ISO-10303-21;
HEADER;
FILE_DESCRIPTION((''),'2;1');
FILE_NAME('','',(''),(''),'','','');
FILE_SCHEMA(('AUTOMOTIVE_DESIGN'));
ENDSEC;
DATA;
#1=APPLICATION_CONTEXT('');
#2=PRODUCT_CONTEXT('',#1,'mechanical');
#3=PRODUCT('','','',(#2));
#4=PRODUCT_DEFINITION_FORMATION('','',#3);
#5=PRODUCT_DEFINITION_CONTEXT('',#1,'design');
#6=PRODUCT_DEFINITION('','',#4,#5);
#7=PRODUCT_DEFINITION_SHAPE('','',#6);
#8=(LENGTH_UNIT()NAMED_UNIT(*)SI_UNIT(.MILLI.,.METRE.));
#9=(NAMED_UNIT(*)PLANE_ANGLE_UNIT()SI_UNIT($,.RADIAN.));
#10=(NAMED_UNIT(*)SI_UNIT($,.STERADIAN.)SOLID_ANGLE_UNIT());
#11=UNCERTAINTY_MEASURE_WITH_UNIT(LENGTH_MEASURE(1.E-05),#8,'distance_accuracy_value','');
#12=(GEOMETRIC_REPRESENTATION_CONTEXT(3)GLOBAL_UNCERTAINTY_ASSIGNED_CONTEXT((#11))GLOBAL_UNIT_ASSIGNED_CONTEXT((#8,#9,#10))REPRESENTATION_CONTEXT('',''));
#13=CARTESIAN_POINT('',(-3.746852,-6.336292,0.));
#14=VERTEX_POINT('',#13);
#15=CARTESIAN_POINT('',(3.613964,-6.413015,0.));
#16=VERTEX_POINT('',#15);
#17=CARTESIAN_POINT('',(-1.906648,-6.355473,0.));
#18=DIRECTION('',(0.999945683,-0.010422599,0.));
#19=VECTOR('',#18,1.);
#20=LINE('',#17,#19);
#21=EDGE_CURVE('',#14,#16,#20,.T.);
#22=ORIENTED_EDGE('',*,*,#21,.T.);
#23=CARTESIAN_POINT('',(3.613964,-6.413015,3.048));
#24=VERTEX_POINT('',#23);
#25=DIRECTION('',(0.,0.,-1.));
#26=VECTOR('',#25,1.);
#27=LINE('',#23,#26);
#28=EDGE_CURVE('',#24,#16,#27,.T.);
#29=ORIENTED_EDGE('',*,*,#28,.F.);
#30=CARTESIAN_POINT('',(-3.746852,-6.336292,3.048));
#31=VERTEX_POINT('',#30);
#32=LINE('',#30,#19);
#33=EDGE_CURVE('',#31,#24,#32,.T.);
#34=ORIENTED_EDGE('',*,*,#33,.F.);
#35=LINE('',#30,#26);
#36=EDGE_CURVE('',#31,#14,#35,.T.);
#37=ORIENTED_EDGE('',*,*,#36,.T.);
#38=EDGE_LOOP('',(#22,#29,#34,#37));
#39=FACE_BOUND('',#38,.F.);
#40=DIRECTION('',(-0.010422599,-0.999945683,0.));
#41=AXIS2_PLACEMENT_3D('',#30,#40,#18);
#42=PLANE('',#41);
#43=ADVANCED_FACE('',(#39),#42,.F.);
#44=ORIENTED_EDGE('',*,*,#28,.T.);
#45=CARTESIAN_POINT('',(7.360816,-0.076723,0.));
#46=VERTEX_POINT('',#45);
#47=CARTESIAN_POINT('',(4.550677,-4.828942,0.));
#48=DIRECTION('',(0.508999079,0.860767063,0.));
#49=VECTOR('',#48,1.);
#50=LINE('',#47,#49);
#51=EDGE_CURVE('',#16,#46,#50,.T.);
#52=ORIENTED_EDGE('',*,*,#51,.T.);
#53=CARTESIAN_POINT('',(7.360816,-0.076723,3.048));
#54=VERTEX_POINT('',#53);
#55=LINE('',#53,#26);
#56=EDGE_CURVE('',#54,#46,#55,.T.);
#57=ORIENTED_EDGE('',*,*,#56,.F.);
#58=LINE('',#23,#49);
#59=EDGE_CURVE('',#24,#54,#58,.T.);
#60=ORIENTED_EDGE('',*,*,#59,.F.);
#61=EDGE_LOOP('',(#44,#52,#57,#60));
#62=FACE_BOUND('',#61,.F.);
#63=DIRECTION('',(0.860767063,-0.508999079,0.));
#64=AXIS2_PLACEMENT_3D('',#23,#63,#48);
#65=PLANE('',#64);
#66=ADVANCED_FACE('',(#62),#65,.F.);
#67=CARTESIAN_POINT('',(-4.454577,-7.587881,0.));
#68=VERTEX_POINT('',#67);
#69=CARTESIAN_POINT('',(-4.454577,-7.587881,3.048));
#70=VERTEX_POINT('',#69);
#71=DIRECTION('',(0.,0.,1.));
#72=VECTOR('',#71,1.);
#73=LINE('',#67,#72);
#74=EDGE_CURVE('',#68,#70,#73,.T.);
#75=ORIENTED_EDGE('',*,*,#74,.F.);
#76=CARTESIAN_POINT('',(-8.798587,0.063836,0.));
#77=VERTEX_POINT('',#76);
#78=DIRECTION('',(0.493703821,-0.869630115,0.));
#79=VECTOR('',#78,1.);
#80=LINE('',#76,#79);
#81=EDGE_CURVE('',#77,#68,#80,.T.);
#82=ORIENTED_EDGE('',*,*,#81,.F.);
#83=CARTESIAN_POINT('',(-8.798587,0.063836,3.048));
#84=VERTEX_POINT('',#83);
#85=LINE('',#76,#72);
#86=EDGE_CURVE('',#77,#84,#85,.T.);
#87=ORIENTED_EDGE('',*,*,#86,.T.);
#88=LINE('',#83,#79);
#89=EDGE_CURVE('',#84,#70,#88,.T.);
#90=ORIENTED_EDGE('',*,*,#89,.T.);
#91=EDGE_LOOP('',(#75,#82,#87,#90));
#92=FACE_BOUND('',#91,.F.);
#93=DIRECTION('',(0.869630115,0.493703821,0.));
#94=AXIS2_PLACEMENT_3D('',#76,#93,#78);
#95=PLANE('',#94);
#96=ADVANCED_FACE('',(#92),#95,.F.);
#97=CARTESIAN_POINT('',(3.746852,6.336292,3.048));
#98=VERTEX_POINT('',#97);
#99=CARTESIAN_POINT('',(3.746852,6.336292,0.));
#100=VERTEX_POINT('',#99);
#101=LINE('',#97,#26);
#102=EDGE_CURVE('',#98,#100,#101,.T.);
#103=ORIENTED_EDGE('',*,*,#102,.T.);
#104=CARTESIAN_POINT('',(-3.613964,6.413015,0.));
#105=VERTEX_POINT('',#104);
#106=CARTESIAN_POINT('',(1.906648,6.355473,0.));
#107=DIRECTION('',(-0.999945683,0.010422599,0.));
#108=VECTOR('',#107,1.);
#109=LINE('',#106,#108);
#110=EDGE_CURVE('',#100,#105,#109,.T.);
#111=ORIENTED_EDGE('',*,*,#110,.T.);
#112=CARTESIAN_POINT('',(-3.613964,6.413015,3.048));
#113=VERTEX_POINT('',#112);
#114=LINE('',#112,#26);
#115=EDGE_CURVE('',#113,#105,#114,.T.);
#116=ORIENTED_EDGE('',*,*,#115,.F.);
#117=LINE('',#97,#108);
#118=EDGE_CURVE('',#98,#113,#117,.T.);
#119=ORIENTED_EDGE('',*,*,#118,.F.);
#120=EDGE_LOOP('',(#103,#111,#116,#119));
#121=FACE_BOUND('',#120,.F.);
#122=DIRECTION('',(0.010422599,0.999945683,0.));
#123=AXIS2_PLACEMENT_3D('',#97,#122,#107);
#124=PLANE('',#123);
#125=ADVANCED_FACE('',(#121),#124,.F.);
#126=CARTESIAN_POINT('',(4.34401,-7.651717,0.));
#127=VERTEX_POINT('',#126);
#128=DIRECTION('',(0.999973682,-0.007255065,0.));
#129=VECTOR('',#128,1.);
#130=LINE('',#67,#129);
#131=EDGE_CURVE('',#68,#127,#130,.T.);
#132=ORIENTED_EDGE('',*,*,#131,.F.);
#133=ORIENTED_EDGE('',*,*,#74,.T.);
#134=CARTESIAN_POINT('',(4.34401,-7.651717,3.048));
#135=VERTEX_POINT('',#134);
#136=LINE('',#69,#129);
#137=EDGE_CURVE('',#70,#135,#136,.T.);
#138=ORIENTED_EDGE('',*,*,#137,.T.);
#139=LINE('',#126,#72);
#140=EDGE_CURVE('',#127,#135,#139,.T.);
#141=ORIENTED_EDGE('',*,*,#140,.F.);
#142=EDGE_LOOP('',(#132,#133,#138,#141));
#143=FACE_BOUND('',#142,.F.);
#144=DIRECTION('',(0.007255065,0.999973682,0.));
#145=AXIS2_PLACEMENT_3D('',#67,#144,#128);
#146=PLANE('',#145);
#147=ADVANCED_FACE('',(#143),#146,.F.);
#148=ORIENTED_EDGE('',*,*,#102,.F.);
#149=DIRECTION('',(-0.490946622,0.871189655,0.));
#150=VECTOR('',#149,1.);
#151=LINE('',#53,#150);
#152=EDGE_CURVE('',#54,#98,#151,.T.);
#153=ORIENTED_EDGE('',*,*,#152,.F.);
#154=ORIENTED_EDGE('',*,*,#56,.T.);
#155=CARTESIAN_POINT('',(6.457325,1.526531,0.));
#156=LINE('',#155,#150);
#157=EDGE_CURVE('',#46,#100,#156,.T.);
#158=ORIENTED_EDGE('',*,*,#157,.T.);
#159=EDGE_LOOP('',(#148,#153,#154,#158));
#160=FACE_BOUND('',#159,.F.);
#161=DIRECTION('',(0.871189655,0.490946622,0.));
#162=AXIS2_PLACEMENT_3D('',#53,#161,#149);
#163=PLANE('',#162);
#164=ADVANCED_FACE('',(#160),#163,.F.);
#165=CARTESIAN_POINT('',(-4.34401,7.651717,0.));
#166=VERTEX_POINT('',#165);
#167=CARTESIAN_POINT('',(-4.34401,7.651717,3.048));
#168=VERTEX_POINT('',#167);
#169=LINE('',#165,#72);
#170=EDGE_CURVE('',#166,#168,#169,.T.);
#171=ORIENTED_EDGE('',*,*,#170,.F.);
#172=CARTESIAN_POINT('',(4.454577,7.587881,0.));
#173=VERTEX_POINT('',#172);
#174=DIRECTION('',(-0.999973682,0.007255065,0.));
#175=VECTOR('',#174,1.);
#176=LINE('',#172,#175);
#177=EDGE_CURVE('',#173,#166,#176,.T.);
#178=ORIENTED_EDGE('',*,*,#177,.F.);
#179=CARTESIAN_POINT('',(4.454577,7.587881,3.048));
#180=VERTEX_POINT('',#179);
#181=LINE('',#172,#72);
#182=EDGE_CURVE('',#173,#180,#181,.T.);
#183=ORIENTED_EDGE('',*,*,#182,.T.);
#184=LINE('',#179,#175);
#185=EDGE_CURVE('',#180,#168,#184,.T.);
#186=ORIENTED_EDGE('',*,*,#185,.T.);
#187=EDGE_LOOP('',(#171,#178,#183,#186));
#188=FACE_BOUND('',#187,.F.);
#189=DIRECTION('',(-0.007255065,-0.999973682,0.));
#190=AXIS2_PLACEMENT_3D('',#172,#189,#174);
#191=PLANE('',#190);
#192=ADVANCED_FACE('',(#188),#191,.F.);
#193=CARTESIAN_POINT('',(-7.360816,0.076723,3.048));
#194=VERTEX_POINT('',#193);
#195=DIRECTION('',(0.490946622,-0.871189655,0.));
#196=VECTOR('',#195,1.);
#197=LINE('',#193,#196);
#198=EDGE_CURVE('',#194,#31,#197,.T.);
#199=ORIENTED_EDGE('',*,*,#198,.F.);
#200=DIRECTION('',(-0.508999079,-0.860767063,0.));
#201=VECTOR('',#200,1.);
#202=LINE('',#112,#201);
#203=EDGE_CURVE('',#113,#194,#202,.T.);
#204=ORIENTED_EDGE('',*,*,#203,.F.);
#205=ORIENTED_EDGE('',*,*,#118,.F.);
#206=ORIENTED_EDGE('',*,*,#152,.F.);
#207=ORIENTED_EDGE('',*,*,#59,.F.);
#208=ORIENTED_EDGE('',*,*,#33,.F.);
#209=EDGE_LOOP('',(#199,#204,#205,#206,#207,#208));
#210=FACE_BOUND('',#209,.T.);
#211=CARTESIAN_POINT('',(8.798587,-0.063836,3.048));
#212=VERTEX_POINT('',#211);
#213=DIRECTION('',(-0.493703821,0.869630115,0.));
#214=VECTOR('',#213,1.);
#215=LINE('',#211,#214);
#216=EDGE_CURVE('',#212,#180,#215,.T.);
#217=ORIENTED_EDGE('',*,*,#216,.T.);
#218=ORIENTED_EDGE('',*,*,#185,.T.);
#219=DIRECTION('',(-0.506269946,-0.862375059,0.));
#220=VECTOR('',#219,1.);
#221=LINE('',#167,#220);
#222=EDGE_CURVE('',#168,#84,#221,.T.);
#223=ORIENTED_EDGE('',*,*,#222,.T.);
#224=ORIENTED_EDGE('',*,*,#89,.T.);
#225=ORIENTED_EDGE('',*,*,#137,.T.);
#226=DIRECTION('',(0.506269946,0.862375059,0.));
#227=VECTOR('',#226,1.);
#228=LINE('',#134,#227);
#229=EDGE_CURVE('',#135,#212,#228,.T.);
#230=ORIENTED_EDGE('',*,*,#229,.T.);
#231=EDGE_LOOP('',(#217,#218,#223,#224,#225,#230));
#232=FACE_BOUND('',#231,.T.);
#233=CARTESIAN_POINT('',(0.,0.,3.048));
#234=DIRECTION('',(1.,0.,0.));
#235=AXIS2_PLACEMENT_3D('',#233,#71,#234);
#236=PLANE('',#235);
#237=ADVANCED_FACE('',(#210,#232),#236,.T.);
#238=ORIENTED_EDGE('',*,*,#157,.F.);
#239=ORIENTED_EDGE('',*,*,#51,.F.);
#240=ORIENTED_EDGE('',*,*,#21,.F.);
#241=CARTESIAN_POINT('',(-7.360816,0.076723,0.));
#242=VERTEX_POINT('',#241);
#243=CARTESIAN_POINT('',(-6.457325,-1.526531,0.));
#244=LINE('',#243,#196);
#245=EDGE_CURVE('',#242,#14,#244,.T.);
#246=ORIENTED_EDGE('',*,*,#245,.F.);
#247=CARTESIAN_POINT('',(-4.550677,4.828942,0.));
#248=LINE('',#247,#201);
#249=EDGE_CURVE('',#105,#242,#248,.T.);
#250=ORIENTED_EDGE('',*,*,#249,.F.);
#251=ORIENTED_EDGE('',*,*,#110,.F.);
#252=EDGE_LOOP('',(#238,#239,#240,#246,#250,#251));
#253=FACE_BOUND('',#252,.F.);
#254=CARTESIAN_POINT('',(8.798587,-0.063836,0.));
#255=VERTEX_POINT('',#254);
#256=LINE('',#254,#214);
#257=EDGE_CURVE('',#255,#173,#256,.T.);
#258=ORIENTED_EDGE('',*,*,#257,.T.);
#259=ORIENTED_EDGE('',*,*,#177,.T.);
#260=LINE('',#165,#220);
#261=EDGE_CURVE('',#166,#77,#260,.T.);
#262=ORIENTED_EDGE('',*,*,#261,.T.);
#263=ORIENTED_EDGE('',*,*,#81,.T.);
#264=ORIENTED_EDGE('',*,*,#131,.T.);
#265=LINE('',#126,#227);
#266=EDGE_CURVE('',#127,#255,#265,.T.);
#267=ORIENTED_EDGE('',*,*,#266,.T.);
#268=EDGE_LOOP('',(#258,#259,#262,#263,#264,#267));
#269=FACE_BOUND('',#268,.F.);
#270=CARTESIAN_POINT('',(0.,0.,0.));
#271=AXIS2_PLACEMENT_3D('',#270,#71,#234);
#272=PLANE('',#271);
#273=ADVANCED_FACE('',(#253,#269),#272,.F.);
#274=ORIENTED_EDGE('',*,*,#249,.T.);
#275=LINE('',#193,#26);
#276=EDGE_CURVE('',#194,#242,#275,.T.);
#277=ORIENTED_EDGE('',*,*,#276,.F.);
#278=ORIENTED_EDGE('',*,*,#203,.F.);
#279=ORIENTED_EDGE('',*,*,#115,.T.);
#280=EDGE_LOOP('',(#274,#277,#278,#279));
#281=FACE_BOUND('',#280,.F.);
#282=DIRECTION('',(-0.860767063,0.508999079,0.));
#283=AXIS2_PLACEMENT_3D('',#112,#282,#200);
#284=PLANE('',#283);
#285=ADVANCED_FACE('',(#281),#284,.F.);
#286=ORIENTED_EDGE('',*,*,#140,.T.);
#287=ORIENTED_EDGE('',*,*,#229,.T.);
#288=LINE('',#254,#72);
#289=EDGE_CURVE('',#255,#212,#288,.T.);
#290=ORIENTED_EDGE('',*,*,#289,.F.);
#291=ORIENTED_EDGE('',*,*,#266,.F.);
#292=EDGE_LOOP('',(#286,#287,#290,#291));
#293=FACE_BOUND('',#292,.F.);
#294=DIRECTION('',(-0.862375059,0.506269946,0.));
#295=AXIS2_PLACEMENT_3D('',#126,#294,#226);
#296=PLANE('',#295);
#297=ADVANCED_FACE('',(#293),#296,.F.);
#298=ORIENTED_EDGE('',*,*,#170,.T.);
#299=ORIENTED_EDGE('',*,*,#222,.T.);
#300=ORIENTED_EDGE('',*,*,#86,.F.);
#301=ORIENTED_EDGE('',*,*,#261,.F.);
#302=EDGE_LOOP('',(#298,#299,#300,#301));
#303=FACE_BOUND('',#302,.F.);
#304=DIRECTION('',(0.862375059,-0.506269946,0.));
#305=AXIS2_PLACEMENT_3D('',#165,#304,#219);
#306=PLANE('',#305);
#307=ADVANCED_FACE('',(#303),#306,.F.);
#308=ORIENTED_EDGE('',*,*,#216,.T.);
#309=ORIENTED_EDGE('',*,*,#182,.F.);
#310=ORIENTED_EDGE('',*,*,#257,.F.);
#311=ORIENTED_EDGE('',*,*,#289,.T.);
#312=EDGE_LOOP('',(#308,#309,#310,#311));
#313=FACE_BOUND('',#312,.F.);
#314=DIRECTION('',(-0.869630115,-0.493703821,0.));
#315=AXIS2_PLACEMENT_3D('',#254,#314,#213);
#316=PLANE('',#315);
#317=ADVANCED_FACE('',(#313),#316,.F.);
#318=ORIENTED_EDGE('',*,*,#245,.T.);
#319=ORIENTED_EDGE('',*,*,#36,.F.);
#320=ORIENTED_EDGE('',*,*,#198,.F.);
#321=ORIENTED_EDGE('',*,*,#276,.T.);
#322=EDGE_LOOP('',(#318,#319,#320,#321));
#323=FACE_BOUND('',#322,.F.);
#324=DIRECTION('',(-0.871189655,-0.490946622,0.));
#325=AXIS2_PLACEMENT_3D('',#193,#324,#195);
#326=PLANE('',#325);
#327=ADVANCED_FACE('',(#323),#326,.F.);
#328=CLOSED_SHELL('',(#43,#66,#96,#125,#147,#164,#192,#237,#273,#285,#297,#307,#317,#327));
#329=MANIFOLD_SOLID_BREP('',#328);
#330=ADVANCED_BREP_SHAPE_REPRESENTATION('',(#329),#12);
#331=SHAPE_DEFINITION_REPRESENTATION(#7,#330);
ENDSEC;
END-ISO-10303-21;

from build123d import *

# Parameters (mm, degrees)
F1_DEPTH = 3.048
F3_DEPTH = 88.646


with BuildPart() as f1:
    # F0 (on Top) → F1 (new body)
    with BuildSketch(Plane.XY):
        Polygon((4.34401, -7.651717), (8.798587, -0.063836), (4.454577, 7.587881), (-4.34401, 7.651717), (-8.798587, 0.063836), (-4.454577, -7.587881), align=None)
    extrude(amount=F1_DEPTH)

    # F2 (on face) → F3 (cut)
    with BuildSketch(Plane.XY.offset(3.048)):
        Polygon((7.360816, -0.076723), (3.746852, 6.336292), (-3.613964, 6.413015), (-7.360816, 0.076723), (-3.746852, -6.336292), (3.613964, -6.413015), align=None)
    extrude(amount=-F3_DEPTH, mode=Mode.SUBTRACT)


solid = f1.part
